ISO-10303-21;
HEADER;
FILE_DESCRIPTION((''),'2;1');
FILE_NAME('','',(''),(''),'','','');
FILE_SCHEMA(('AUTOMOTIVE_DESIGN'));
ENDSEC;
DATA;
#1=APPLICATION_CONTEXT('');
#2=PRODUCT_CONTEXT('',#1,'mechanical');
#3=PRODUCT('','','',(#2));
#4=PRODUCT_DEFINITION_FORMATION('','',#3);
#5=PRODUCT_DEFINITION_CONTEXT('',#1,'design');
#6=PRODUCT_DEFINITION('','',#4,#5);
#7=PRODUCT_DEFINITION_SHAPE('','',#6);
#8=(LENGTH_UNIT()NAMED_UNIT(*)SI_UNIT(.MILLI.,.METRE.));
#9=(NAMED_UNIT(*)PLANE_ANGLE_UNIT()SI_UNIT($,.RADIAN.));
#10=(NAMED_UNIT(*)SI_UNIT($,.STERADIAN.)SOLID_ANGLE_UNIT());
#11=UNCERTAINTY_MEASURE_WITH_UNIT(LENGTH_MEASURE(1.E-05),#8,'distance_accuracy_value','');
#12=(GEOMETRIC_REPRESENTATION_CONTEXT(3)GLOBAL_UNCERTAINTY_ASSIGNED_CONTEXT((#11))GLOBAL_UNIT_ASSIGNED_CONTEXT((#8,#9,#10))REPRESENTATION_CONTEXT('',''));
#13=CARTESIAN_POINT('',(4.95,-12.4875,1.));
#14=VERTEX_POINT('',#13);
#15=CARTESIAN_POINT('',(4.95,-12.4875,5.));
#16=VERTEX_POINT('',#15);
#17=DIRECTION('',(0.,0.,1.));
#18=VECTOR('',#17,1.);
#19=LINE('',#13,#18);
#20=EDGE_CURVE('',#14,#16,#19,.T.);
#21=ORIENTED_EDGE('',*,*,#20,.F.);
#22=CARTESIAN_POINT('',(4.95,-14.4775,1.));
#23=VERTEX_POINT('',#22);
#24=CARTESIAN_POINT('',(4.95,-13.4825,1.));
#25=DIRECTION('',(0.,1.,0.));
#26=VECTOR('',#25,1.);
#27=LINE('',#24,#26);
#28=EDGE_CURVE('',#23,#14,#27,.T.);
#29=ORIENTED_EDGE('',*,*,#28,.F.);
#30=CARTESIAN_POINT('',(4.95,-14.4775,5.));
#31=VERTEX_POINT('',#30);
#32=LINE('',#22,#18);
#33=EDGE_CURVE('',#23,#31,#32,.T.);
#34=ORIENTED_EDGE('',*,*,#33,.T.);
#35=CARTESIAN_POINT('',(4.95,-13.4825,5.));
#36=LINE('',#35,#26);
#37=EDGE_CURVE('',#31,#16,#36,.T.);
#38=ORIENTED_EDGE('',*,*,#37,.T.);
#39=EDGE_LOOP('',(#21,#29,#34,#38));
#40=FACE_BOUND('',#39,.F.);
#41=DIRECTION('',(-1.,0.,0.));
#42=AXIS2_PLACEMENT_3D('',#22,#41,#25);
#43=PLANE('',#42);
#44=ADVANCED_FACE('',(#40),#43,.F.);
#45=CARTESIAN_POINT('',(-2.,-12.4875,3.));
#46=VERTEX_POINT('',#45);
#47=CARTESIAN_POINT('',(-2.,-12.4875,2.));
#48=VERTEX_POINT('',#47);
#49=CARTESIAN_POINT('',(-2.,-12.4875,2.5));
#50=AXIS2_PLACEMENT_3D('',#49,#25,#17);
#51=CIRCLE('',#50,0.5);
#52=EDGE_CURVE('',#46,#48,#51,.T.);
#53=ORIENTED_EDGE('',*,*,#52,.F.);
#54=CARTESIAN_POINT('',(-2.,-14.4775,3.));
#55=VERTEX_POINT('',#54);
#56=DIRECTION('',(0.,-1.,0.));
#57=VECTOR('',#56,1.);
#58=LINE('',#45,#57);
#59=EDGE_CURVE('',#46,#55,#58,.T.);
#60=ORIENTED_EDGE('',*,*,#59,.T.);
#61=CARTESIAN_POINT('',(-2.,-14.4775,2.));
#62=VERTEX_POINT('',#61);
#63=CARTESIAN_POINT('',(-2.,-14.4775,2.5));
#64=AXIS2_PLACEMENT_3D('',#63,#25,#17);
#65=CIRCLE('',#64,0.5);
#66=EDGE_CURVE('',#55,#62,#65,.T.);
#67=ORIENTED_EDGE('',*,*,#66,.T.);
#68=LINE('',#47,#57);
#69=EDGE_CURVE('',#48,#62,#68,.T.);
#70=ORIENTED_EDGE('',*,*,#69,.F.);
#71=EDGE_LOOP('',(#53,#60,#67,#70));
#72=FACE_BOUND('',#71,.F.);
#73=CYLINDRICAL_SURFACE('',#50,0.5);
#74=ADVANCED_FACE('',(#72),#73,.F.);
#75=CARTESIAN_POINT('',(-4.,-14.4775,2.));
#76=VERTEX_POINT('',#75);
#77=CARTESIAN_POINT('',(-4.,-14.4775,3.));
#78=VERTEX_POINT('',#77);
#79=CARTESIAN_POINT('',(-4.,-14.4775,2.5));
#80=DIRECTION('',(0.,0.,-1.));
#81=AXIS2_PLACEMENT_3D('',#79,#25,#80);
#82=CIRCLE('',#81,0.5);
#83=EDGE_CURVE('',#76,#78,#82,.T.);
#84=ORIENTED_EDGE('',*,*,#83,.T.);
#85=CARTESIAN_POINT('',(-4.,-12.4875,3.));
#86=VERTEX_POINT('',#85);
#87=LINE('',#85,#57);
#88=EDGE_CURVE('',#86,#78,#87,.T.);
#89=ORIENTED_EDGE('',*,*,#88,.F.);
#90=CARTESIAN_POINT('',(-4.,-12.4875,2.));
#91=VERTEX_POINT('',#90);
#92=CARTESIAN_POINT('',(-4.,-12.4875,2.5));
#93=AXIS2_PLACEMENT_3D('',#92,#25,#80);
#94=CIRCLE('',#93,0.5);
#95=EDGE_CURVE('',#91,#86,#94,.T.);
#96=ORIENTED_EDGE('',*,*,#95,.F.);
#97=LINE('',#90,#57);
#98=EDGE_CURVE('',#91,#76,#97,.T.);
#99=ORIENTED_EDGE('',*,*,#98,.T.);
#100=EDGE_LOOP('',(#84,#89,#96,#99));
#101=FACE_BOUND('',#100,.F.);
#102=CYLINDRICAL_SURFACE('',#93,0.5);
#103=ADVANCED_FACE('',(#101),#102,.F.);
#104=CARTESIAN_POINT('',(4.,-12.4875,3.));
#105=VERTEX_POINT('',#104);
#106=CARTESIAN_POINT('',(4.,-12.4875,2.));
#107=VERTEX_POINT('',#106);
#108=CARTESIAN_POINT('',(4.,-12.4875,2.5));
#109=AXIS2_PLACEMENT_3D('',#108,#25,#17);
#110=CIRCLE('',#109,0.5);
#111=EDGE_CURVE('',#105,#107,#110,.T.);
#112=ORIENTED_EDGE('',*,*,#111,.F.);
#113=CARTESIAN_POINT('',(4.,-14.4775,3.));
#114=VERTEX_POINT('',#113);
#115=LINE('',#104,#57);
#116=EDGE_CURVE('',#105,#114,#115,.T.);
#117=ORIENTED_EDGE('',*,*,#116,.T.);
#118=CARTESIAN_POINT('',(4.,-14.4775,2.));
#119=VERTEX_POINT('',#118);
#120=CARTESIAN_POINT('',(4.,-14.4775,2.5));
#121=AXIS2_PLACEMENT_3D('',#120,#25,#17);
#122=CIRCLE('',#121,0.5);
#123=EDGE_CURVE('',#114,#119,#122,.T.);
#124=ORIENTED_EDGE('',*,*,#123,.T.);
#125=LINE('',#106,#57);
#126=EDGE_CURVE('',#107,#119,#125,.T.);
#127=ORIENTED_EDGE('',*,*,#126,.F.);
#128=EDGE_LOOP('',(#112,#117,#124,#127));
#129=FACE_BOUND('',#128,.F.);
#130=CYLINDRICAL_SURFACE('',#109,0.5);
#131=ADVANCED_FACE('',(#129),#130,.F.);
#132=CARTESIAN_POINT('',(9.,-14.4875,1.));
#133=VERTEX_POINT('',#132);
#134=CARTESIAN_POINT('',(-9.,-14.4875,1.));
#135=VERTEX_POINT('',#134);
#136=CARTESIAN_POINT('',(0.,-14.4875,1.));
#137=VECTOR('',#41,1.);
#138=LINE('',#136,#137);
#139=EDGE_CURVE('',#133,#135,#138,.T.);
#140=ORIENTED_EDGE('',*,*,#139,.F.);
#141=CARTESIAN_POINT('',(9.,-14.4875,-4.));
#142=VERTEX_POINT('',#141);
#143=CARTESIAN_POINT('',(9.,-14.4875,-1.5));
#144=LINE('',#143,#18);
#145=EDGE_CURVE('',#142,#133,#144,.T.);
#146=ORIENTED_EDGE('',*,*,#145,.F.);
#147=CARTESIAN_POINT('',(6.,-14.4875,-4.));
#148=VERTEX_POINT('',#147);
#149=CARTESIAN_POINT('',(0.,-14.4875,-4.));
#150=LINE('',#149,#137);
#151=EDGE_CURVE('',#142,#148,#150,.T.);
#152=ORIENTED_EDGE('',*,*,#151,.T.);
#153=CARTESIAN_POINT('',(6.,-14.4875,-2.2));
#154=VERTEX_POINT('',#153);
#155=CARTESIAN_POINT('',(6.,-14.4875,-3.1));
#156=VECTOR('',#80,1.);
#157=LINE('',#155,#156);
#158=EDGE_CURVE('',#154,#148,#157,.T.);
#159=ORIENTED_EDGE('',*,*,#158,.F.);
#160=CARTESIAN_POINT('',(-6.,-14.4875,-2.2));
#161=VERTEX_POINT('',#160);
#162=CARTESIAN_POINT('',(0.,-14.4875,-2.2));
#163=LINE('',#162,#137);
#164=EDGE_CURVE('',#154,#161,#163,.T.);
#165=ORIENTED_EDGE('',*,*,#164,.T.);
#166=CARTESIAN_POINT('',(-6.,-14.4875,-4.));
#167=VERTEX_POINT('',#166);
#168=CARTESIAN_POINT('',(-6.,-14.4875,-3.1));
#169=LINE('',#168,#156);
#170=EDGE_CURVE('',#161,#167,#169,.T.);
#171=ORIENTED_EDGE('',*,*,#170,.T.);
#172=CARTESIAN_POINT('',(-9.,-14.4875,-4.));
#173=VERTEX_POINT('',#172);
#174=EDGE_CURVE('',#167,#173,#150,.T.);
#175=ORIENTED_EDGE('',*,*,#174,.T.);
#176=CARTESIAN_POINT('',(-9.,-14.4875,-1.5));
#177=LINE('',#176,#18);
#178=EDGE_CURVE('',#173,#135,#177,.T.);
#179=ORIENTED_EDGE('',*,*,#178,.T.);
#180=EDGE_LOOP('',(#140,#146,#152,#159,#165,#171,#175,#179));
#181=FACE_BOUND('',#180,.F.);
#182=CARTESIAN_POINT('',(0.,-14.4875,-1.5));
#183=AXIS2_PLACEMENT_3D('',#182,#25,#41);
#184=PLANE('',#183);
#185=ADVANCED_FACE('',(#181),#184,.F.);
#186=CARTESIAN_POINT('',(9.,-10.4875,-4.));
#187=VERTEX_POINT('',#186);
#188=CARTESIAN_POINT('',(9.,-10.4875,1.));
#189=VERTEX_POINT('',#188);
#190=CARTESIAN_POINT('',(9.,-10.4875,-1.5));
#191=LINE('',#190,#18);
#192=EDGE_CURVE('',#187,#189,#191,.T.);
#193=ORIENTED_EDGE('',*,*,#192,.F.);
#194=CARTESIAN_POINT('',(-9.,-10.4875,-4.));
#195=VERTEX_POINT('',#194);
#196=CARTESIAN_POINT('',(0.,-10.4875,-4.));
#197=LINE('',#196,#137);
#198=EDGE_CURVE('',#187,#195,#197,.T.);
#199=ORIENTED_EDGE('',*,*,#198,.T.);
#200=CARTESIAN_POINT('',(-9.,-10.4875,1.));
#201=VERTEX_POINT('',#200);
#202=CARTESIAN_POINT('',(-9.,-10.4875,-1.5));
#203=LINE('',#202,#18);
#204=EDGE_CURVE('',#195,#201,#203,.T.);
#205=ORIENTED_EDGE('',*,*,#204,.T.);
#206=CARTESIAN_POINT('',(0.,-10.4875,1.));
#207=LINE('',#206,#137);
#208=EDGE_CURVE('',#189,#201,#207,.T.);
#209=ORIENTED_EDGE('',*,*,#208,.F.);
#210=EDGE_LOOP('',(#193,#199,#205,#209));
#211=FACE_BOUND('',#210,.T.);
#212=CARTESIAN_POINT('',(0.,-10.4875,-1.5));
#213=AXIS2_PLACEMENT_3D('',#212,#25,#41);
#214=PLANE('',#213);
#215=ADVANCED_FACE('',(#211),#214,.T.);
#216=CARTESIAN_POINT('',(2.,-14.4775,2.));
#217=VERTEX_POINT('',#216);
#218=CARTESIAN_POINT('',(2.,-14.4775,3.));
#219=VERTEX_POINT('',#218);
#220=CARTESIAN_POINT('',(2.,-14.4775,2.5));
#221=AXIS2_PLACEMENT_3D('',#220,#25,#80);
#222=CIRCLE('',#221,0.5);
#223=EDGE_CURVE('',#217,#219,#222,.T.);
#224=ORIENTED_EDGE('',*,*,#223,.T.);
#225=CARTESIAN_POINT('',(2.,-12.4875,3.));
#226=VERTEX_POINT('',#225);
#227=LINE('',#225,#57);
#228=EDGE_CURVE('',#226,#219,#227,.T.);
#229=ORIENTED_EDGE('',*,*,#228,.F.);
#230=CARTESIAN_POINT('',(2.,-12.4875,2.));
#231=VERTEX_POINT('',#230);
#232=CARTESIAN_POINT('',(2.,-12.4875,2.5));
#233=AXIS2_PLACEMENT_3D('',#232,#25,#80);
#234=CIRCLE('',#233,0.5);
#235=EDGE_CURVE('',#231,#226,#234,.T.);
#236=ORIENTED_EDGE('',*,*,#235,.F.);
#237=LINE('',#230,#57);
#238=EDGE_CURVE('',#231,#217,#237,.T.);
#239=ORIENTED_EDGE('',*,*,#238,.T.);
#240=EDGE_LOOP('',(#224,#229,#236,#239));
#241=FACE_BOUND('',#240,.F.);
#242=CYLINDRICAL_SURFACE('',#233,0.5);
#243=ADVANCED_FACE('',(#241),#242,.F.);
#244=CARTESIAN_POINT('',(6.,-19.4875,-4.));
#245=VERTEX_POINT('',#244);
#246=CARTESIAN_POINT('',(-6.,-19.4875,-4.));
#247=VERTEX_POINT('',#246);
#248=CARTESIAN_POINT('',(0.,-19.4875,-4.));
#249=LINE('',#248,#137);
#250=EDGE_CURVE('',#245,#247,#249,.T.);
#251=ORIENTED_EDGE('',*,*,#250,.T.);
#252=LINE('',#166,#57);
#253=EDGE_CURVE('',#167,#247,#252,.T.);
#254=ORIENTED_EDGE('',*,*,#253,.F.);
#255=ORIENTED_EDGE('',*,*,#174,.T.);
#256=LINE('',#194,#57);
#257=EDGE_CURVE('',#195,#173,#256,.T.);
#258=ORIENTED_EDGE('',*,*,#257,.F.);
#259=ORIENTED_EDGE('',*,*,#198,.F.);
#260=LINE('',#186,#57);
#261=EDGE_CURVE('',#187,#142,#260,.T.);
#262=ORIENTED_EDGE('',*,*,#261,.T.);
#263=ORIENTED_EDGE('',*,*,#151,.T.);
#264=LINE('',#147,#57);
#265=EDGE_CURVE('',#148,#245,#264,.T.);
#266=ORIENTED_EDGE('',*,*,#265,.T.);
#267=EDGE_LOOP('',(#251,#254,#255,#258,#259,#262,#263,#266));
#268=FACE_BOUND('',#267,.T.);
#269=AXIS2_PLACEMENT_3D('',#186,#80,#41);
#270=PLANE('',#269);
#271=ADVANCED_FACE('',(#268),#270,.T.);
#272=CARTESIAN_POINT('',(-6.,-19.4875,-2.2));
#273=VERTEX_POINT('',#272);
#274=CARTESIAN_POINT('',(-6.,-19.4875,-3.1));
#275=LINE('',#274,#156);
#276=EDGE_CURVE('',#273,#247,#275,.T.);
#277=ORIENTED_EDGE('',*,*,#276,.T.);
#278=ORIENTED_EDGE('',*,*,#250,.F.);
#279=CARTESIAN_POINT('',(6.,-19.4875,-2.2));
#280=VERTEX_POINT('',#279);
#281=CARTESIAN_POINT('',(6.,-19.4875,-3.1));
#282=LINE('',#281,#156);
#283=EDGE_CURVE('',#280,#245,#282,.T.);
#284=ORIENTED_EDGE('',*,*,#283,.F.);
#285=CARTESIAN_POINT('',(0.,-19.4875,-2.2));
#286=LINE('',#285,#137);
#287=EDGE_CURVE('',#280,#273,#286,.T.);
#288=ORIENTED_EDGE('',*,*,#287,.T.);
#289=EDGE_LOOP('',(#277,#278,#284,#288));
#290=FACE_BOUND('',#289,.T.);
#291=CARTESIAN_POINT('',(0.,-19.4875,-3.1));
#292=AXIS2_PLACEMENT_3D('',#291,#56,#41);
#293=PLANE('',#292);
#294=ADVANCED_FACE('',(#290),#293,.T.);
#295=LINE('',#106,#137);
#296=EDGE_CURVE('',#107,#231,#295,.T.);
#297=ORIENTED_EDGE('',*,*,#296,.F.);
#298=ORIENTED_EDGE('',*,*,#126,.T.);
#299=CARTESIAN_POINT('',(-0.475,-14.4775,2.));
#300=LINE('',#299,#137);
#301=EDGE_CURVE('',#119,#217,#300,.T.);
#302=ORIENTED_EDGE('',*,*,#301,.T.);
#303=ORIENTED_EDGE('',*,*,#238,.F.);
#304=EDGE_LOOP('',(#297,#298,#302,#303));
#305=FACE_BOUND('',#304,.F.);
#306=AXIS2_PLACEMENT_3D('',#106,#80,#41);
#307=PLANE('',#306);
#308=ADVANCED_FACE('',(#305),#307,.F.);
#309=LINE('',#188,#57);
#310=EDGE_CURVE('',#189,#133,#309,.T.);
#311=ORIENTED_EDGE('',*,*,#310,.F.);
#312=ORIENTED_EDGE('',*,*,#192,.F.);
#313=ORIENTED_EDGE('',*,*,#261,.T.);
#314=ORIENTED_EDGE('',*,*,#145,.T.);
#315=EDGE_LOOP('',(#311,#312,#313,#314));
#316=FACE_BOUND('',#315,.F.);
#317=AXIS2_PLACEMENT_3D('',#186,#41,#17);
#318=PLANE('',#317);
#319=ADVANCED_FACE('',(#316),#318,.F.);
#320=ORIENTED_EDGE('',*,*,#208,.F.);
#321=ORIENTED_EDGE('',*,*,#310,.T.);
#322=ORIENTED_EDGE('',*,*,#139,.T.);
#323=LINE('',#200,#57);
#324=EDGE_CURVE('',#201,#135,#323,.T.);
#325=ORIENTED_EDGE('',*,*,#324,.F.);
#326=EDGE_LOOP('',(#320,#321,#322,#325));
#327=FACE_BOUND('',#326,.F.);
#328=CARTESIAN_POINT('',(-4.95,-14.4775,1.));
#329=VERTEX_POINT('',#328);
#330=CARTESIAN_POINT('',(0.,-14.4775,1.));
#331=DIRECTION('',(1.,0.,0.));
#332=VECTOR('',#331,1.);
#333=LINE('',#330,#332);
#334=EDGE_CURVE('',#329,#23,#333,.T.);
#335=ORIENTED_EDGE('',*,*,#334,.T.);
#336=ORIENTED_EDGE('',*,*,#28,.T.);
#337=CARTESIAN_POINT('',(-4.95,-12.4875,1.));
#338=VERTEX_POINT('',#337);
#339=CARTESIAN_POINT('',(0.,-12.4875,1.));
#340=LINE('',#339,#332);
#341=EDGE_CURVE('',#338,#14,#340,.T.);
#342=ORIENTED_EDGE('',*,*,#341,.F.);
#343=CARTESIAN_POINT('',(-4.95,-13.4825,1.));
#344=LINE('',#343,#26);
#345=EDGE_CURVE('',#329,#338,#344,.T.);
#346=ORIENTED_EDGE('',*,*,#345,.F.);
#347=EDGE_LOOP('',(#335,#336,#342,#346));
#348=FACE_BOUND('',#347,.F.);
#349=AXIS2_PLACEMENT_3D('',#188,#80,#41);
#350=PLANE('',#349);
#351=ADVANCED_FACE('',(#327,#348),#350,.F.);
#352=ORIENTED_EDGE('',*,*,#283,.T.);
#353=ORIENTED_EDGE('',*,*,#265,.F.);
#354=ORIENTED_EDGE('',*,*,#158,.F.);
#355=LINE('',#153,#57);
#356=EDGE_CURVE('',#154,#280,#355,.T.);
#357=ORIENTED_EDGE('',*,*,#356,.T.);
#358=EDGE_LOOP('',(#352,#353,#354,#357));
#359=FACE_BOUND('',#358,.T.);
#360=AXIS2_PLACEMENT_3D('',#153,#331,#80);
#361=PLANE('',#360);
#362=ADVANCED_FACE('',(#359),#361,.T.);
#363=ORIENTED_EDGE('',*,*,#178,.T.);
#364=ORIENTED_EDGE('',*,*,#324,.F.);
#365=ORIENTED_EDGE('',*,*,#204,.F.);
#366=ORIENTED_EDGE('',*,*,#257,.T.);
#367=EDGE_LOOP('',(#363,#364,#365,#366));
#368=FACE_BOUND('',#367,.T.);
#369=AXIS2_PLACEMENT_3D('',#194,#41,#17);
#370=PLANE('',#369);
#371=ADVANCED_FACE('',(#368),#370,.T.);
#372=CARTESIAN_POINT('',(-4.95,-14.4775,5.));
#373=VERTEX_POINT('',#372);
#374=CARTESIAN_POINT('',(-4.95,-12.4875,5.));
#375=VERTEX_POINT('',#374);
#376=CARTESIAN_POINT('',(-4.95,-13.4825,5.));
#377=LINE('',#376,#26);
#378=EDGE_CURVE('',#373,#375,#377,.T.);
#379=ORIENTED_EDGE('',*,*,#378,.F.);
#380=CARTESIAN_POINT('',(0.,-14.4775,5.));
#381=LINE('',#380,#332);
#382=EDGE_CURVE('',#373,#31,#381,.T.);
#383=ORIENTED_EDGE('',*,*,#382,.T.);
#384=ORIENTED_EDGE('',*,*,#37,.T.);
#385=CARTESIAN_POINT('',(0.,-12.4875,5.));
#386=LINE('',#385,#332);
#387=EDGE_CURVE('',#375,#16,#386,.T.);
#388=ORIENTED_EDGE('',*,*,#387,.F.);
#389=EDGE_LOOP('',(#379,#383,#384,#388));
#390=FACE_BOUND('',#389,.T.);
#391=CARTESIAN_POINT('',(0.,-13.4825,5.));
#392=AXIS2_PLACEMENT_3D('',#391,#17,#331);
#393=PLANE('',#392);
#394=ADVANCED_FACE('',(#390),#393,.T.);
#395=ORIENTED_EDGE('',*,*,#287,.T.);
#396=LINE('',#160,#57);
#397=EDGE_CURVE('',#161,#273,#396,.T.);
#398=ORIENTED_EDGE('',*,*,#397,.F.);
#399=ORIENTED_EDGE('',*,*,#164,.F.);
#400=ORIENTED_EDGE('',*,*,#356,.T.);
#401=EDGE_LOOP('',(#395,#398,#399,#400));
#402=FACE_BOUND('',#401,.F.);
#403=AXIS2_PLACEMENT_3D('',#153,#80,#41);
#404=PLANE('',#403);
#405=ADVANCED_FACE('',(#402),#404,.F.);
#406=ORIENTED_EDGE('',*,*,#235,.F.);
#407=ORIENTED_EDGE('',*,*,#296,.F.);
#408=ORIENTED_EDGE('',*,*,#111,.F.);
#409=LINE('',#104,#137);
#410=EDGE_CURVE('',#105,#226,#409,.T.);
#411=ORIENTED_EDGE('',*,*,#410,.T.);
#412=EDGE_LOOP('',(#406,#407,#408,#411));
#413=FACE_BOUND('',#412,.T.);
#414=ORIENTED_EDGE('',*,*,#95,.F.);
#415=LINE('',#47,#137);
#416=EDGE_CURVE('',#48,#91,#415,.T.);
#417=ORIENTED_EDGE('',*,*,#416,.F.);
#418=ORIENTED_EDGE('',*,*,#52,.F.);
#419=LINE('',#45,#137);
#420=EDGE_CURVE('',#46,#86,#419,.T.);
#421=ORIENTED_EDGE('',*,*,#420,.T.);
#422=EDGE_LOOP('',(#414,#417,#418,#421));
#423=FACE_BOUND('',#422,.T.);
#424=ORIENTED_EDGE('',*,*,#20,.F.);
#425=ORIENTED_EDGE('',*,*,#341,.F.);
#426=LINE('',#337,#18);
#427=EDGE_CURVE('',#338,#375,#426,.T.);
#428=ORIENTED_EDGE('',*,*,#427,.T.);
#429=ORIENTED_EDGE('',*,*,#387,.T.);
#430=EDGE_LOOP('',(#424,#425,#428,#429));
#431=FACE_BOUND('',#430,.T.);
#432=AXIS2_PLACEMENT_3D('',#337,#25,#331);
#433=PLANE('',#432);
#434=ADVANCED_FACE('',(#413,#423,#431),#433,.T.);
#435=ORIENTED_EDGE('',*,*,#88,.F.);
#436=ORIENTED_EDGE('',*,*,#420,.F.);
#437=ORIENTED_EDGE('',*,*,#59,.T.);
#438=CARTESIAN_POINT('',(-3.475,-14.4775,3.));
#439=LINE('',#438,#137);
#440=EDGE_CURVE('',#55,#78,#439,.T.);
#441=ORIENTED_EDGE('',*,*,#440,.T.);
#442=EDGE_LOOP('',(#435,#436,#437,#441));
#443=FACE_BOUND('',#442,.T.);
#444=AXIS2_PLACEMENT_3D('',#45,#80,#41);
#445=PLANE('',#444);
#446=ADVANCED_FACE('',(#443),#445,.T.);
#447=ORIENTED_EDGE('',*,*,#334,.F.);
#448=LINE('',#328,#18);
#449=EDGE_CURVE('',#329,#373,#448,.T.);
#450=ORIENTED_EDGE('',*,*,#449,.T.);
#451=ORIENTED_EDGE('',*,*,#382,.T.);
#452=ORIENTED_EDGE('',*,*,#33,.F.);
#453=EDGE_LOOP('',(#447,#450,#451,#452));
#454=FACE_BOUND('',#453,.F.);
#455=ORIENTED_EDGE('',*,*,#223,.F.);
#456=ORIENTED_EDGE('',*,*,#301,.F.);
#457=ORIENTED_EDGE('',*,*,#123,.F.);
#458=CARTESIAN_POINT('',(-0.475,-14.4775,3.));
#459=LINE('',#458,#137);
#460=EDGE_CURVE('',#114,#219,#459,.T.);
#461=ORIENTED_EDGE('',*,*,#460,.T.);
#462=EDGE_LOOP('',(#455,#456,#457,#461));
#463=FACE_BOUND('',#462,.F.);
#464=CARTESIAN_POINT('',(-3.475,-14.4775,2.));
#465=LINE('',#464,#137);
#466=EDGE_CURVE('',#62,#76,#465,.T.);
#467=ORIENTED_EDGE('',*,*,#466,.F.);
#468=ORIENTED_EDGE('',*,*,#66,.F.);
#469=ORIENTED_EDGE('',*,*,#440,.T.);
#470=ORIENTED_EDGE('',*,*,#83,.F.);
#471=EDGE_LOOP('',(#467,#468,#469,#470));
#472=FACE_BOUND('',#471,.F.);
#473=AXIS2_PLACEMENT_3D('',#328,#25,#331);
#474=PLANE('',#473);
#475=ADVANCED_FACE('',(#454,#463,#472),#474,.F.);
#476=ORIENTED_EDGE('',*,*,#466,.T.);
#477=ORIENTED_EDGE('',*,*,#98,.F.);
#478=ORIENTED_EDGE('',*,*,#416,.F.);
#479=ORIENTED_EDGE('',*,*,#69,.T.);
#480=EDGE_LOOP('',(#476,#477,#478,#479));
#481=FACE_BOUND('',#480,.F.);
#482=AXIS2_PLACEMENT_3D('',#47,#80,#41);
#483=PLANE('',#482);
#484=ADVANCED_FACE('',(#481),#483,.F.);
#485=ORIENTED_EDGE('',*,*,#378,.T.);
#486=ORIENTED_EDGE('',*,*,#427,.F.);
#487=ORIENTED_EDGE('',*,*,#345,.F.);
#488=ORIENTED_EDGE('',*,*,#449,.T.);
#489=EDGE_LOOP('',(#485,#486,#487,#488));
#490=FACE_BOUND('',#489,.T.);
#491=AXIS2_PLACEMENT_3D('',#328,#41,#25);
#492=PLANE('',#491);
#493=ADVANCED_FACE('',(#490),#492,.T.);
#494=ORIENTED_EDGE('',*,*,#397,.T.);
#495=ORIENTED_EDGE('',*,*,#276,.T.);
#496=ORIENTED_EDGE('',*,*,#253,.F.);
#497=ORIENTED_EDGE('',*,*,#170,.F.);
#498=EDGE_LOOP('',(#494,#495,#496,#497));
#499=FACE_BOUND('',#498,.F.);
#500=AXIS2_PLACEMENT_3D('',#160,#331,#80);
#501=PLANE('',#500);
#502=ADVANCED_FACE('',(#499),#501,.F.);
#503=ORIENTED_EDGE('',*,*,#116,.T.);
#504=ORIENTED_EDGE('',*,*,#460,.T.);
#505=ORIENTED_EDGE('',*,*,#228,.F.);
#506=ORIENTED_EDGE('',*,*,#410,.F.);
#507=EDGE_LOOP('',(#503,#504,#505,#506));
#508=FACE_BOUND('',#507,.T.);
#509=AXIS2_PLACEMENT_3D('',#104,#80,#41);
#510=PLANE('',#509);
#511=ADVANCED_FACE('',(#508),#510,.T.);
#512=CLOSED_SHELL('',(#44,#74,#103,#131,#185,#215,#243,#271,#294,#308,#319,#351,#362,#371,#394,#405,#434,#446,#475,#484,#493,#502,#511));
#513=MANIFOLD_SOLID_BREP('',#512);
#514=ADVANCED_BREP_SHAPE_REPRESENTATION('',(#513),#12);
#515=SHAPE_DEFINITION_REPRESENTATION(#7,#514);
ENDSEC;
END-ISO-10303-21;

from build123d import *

# Parameters (mm, degrees)
SKETCH008_W     = 18
SKETCH008_H     = 5
PAD008_DEPTH    = 4
SKETCH010_W     = 9.9
SKETCH010_H     = 1.99
PAD009_DEPTH    = 4
POCKET006_DEPTH = 5
SKETCH014_W     = 12
SKETCH014_H     = 1.8
PAD011_DEPTH    = 5


with BuildPart() as part:
    # Sketch008 → Pad008 (new body)
    with BuildSketch(Plane(origin=(0, -10.4875, 0), x_dir=(-1, 0, 0), z_dir=(0, 1, 0))):
        with Locations((0, -1.5)):
            Rectangle(SKETCH008_W, SKETCH008_H)
    extrude(amount=-PAD008_DEPTH)

    # Sketch010 → Pad009 (new body)
    with BuildSketch(Plane(origin=(0, -10.4875, 1), x_dir=(1, 0, 0), z_dir=(0, 0, 1))):
        with Locations((0, -2.995)):
            Rectangle(SKETCH010_W, SKETCH010_H)
    extrude(amount=PAD009_DEPTH)

    # Sketch013 → Pocket006 (cut)
    with BuildSketch(Plane(origin=(0, -12.4875, 0), x_dir=(-1, 0, 0), z_dir=(0, 1, 0))):
        with BuildLine():
            ThreePointArc((2, 3), (1.5, 2.5), (2, 2))
            Line((2, 2), (4, 2))
            ThreePointArc((4, 2), (4.5, 2.5), (4, 3))
            Line((2, 3), (4, 3))
        make_face()
        with BuildLine():
            ThreePointArc((-4, 3), (-4.5, 2.5), (-4, 2))
            Line((-4, 2), (-2, 2))
            ThreePointArc((-2, 2), (-1.5, 2.5), (-2, 3))
            Line((-4, 3), (-2, 3))
        make_face()
    extrude(amount=-POCKET006_DEPTH, mode=Mode.SUBTRACT)

    # Sketch014 → Pad011 (new body)
    with BuildSketch(Plane(origin=(0, -14.4875, 0), x_dir=(-1, 0, 0), z_dir=(0, -1, 0))):
        with Locations((0, 3.1)):
            Rectangle(SKETCH014_W, SKETCH014_H)
    extrude(amount=PAD011_DEPTH)


solid = part.part
